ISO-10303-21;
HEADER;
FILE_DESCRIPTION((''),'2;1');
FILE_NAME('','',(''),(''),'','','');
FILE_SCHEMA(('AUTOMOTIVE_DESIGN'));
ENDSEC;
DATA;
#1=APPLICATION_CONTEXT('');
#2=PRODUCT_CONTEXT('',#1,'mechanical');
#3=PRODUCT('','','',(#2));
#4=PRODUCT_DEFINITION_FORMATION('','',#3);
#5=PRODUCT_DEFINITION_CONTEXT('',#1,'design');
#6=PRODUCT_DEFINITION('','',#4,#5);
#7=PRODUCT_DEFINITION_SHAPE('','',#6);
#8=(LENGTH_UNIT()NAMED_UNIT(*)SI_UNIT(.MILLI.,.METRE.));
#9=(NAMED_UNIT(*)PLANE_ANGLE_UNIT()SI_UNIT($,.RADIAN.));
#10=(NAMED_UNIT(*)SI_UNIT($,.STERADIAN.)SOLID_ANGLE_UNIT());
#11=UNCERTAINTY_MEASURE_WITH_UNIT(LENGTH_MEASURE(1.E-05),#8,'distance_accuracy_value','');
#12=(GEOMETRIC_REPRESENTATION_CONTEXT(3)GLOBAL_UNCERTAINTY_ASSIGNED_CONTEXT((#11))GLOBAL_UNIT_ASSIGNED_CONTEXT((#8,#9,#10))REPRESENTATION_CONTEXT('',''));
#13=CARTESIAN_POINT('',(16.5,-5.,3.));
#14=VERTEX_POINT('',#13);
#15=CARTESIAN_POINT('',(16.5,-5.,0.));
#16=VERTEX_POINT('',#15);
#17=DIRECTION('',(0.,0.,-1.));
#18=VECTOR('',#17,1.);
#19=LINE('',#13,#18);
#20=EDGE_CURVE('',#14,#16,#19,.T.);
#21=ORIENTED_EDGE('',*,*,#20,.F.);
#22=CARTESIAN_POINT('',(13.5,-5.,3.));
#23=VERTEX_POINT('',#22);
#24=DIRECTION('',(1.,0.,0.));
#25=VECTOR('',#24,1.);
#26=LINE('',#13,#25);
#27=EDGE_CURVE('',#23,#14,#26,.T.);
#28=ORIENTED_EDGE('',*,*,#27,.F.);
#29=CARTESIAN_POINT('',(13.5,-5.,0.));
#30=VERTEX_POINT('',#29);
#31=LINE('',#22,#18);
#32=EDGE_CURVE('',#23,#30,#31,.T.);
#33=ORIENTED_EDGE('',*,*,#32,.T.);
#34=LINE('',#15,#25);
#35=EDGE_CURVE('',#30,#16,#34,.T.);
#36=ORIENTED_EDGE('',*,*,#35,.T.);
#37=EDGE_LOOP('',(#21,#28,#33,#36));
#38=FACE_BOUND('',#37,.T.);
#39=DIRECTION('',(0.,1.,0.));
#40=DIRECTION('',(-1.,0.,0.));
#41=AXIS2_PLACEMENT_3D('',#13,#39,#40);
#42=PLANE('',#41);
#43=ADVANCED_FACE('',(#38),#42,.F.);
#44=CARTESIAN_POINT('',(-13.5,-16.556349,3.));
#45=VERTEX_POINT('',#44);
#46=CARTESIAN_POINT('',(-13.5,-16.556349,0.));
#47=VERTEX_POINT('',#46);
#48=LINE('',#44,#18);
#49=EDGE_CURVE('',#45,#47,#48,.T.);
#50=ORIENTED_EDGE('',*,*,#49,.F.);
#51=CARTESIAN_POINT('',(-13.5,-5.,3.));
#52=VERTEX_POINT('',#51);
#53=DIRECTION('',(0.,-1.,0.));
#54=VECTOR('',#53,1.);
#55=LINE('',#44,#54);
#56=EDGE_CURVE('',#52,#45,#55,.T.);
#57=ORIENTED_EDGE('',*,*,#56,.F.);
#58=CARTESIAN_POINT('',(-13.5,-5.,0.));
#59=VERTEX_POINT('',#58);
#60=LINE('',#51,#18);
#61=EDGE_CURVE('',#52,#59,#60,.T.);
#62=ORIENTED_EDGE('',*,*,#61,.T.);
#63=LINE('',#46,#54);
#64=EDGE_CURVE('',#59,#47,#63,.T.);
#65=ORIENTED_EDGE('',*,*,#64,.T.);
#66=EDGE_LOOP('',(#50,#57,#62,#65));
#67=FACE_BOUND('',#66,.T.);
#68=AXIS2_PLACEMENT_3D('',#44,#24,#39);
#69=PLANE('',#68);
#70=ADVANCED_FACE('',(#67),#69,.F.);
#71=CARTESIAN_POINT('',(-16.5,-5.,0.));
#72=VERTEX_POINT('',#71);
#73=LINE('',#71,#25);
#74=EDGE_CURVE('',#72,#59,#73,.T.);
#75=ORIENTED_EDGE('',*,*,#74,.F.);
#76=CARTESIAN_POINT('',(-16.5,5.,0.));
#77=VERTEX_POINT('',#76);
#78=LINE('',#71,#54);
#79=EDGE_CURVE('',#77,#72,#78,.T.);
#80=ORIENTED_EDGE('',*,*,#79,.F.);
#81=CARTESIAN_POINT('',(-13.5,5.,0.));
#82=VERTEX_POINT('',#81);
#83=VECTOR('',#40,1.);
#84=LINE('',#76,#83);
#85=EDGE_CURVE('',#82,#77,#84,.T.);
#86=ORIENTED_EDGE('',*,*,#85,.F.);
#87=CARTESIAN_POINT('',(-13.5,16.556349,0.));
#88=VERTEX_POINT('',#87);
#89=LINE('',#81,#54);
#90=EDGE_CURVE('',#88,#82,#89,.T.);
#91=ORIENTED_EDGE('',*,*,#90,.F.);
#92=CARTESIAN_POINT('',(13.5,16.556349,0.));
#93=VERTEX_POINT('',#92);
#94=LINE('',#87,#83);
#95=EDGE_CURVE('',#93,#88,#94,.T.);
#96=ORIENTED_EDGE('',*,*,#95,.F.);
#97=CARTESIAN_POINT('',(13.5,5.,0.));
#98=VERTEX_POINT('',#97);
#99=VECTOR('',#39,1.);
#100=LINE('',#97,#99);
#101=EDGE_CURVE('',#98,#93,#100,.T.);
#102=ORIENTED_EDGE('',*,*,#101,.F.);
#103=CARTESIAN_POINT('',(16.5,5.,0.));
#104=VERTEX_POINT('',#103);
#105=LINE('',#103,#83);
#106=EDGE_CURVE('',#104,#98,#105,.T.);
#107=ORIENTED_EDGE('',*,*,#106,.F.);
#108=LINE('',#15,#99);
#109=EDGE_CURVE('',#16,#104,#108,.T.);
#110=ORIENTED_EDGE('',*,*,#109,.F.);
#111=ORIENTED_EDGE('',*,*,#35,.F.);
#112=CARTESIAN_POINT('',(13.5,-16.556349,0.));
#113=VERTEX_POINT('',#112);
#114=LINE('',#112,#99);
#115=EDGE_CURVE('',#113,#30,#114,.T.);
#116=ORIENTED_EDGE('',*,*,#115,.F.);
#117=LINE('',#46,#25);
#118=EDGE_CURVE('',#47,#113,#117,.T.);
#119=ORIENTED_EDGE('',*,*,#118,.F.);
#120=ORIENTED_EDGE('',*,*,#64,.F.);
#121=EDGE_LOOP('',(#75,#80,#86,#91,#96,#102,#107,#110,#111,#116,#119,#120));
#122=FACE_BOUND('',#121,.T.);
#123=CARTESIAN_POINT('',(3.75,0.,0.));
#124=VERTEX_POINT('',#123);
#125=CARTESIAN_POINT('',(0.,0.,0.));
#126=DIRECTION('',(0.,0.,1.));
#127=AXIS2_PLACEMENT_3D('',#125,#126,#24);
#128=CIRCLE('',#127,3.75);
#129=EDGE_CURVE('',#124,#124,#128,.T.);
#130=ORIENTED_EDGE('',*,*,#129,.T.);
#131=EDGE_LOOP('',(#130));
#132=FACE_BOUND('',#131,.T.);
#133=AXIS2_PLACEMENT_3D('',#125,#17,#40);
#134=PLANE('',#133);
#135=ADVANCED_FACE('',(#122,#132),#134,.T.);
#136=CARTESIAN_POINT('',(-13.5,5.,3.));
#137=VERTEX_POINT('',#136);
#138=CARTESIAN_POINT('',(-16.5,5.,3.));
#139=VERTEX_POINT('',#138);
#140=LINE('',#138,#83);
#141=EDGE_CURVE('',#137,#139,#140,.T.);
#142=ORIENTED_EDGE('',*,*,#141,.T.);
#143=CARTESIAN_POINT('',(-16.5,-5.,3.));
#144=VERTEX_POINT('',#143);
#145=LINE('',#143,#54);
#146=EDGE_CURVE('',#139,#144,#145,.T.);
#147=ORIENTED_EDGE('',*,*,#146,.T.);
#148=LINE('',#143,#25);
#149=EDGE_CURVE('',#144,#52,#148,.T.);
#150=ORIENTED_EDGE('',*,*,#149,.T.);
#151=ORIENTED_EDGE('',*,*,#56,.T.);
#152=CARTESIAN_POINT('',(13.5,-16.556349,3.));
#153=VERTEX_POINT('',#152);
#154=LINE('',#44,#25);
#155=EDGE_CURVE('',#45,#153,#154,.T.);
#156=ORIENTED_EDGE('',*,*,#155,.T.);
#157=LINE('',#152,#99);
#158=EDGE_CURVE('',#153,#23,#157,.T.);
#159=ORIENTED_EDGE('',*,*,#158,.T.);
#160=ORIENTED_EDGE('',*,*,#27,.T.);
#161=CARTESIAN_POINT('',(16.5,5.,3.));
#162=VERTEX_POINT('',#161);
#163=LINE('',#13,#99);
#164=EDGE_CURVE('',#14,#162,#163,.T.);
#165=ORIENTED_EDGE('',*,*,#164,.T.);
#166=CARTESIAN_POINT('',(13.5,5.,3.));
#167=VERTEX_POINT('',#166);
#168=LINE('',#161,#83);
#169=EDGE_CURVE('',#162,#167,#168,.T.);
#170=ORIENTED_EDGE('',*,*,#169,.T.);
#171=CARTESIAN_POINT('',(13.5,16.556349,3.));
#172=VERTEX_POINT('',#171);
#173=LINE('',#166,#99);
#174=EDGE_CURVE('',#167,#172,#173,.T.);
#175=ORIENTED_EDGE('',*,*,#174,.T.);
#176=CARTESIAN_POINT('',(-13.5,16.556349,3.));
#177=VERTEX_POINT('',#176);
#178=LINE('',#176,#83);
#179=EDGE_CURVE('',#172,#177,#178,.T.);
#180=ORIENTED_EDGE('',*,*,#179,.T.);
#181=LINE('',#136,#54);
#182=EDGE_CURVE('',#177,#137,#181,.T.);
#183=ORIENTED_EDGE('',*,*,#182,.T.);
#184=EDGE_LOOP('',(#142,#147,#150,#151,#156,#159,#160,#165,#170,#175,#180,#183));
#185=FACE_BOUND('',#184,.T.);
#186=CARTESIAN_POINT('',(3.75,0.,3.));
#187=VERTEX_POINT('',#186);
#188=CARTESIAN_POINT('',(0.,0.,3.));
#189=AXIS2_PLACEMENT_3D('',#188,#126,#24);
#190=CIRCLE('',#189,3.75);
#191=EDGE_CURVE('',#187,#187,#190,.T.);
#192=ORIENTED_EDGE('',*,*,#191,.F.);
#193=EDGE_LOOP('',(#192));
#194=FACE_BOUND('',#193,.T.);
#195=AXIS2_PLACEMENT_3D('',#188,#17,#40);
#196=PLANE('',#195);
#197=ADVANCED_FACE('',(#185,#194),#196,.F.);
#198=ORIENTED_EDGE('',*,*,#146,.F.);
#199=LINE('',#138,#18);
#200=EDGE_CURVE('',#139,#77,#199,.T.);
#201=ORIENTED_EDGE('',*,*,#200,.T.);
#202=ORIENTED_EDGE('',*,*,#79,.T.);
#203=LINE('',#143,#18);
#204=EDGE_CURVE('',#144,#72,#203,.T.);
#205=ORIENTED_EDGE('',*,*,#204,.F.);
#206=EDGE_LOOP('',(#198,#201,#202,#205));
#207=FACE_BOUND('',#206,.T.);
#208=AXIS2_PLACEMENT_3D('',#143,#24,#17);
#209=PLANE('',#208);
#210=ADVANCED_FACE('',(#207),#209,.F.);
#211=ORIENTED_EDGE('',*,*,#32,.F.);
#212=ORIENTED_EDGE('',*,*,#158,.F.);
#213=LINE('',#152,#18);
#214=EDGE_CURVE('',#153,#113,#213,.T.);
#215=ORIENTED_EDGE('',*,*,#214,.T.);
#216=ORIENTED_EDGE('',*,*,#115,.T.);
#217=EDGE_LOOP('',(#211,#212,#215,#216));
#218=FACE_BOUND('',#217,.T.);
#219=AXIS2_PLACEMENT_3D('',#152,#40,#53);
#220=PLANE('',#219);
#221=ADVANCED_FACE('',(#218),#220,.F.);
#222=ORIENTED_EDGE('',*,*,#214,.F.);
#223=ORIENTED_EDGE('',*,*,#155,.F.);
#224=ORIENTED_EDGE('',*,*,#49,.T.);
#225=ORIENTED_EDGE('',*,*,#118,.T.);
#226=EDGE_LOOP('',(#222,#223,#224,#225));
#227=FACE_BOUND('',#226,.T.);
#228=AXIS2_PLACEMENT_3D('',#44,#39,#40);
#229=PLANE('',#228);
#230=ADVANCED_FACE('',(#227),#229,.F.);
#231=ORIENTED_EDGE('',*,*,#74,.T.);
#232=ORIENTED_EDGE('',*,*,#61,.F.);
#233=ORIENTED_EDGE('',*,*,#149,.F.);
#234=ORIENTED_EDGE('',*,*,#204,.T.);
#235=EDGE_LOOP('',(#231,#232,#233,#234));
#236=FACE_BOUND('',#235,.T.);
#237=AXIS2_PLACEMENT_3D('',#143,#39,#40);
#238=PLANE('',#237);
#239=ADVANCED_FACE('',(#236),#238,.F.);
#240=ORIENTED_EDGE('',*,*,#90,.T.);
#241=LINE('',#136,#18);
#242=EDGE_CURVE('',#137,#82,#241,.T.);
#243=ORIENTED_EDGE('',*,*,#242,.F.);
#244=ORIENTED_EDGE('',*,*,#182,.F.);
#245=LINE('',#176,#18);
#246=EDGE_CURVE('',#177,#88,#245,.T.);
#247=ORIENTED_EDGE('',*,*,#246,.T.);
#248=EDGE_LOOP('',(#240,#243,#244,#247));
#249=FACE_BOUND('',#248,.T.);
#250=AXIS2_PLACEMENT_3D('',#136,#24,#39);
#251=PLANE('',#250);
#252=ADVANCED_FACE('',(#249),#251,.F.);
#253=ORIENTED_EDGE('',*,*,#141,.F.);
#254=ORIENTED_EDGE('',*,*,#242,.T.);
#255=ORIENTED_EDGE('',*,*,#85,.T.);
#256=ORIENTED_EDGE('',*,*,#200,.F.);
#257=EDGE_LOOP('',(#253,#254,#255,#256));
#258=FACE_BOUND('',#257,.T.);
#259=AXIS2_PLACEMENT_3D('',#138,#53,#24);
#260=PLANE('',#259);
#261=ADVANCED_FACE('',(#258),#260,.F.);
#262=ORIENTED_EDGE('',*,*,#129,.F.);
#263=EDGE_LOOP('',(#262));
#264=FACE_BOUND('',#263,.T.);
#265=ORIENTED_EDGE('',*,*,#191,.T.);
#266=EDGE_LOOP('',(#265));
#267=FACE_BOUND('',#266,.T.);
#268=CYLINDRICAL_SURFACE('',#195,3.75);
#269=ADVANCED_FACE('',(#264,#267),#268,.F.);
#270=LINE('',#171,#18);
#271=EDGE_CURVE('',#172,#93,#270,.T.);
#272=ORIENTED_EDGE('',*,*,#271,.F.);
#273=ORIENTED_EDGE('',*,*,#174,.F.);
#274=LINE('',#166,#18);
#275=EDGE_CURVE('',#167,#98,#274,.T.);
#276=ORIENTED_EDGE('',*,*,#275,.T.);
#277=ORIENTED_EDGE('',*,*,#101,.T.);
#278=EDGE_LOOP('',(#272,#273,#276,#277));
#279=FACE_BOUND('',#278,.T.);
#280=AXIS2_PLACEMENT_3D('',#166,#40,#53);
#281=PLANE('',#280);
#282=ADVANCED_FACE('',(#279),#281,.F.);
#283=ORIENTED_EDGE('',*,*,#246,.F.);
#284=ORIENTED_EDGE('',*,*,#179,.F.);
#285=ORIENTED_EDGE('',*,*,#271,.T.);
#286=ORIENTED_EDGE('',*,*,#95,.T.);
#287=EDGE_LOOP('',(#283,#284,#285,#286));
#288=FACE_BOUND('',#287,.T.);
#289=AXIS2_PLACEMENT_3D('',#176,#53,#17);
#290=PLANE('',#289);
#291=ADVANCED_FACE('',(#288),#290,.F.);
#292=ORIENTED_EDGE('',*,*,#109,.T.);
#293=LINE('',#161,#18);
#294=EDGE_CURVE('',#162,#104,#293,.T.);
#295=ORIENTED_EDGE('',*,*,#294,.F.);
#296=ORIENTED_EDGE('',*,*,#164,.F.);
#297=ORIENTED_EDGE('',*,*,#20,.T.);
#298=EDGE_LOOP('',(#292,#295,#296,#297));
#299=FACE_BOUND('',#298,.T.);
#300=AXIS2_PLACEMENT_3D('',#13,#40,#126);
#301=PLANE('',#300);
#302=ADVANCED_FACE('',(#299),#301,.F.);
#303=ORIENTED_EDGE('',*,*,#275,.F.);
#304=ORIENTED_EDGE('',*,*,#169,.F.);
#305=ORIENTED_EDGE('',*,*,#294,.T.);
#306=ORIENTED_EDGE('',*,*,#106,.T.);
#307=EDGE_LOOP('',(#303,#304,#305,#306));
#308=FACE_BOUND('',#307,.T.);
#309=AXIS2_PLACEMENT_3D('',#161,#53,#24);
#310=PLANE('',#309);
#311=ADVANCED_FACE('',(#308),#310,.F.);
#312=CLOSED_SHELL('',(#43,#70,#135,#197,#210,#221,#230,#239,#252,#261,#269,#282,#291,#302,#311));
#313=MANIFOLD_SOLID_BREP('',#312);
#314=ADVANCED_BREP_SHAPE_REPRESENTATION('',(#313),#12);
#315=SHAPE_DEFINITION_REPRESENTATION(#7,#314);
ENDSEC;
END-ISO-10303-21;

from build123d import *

# Parameters (mm, degrees)
CROQUIS1_R              = 3.75
SALIENTE_EXTRUIR1_DEPTH = 3


with BuildPart() as part:
    # Croquis1 → Saliente-Extruir1 (new body)
    with BuildSketch(Plane.XY):
        Polygon((-13.5, 5), (-13.5, 16.556349185), (13.5, 16.556349185), (13.5, 5), (16.5, 5), (16.5, -5), (13.5, -5), (13.5, -16.556349185), (-13.5, -16.556349185), (-13.5, -5), (-16.5, -5), (-16.5, 5), align=None)
        Circle(CROQUIS1_R, mode=Mode.SUBTRACT)
    extrude(amount=SALIENTE_EXTRUIR1_DEPTH)


solid = part.part
